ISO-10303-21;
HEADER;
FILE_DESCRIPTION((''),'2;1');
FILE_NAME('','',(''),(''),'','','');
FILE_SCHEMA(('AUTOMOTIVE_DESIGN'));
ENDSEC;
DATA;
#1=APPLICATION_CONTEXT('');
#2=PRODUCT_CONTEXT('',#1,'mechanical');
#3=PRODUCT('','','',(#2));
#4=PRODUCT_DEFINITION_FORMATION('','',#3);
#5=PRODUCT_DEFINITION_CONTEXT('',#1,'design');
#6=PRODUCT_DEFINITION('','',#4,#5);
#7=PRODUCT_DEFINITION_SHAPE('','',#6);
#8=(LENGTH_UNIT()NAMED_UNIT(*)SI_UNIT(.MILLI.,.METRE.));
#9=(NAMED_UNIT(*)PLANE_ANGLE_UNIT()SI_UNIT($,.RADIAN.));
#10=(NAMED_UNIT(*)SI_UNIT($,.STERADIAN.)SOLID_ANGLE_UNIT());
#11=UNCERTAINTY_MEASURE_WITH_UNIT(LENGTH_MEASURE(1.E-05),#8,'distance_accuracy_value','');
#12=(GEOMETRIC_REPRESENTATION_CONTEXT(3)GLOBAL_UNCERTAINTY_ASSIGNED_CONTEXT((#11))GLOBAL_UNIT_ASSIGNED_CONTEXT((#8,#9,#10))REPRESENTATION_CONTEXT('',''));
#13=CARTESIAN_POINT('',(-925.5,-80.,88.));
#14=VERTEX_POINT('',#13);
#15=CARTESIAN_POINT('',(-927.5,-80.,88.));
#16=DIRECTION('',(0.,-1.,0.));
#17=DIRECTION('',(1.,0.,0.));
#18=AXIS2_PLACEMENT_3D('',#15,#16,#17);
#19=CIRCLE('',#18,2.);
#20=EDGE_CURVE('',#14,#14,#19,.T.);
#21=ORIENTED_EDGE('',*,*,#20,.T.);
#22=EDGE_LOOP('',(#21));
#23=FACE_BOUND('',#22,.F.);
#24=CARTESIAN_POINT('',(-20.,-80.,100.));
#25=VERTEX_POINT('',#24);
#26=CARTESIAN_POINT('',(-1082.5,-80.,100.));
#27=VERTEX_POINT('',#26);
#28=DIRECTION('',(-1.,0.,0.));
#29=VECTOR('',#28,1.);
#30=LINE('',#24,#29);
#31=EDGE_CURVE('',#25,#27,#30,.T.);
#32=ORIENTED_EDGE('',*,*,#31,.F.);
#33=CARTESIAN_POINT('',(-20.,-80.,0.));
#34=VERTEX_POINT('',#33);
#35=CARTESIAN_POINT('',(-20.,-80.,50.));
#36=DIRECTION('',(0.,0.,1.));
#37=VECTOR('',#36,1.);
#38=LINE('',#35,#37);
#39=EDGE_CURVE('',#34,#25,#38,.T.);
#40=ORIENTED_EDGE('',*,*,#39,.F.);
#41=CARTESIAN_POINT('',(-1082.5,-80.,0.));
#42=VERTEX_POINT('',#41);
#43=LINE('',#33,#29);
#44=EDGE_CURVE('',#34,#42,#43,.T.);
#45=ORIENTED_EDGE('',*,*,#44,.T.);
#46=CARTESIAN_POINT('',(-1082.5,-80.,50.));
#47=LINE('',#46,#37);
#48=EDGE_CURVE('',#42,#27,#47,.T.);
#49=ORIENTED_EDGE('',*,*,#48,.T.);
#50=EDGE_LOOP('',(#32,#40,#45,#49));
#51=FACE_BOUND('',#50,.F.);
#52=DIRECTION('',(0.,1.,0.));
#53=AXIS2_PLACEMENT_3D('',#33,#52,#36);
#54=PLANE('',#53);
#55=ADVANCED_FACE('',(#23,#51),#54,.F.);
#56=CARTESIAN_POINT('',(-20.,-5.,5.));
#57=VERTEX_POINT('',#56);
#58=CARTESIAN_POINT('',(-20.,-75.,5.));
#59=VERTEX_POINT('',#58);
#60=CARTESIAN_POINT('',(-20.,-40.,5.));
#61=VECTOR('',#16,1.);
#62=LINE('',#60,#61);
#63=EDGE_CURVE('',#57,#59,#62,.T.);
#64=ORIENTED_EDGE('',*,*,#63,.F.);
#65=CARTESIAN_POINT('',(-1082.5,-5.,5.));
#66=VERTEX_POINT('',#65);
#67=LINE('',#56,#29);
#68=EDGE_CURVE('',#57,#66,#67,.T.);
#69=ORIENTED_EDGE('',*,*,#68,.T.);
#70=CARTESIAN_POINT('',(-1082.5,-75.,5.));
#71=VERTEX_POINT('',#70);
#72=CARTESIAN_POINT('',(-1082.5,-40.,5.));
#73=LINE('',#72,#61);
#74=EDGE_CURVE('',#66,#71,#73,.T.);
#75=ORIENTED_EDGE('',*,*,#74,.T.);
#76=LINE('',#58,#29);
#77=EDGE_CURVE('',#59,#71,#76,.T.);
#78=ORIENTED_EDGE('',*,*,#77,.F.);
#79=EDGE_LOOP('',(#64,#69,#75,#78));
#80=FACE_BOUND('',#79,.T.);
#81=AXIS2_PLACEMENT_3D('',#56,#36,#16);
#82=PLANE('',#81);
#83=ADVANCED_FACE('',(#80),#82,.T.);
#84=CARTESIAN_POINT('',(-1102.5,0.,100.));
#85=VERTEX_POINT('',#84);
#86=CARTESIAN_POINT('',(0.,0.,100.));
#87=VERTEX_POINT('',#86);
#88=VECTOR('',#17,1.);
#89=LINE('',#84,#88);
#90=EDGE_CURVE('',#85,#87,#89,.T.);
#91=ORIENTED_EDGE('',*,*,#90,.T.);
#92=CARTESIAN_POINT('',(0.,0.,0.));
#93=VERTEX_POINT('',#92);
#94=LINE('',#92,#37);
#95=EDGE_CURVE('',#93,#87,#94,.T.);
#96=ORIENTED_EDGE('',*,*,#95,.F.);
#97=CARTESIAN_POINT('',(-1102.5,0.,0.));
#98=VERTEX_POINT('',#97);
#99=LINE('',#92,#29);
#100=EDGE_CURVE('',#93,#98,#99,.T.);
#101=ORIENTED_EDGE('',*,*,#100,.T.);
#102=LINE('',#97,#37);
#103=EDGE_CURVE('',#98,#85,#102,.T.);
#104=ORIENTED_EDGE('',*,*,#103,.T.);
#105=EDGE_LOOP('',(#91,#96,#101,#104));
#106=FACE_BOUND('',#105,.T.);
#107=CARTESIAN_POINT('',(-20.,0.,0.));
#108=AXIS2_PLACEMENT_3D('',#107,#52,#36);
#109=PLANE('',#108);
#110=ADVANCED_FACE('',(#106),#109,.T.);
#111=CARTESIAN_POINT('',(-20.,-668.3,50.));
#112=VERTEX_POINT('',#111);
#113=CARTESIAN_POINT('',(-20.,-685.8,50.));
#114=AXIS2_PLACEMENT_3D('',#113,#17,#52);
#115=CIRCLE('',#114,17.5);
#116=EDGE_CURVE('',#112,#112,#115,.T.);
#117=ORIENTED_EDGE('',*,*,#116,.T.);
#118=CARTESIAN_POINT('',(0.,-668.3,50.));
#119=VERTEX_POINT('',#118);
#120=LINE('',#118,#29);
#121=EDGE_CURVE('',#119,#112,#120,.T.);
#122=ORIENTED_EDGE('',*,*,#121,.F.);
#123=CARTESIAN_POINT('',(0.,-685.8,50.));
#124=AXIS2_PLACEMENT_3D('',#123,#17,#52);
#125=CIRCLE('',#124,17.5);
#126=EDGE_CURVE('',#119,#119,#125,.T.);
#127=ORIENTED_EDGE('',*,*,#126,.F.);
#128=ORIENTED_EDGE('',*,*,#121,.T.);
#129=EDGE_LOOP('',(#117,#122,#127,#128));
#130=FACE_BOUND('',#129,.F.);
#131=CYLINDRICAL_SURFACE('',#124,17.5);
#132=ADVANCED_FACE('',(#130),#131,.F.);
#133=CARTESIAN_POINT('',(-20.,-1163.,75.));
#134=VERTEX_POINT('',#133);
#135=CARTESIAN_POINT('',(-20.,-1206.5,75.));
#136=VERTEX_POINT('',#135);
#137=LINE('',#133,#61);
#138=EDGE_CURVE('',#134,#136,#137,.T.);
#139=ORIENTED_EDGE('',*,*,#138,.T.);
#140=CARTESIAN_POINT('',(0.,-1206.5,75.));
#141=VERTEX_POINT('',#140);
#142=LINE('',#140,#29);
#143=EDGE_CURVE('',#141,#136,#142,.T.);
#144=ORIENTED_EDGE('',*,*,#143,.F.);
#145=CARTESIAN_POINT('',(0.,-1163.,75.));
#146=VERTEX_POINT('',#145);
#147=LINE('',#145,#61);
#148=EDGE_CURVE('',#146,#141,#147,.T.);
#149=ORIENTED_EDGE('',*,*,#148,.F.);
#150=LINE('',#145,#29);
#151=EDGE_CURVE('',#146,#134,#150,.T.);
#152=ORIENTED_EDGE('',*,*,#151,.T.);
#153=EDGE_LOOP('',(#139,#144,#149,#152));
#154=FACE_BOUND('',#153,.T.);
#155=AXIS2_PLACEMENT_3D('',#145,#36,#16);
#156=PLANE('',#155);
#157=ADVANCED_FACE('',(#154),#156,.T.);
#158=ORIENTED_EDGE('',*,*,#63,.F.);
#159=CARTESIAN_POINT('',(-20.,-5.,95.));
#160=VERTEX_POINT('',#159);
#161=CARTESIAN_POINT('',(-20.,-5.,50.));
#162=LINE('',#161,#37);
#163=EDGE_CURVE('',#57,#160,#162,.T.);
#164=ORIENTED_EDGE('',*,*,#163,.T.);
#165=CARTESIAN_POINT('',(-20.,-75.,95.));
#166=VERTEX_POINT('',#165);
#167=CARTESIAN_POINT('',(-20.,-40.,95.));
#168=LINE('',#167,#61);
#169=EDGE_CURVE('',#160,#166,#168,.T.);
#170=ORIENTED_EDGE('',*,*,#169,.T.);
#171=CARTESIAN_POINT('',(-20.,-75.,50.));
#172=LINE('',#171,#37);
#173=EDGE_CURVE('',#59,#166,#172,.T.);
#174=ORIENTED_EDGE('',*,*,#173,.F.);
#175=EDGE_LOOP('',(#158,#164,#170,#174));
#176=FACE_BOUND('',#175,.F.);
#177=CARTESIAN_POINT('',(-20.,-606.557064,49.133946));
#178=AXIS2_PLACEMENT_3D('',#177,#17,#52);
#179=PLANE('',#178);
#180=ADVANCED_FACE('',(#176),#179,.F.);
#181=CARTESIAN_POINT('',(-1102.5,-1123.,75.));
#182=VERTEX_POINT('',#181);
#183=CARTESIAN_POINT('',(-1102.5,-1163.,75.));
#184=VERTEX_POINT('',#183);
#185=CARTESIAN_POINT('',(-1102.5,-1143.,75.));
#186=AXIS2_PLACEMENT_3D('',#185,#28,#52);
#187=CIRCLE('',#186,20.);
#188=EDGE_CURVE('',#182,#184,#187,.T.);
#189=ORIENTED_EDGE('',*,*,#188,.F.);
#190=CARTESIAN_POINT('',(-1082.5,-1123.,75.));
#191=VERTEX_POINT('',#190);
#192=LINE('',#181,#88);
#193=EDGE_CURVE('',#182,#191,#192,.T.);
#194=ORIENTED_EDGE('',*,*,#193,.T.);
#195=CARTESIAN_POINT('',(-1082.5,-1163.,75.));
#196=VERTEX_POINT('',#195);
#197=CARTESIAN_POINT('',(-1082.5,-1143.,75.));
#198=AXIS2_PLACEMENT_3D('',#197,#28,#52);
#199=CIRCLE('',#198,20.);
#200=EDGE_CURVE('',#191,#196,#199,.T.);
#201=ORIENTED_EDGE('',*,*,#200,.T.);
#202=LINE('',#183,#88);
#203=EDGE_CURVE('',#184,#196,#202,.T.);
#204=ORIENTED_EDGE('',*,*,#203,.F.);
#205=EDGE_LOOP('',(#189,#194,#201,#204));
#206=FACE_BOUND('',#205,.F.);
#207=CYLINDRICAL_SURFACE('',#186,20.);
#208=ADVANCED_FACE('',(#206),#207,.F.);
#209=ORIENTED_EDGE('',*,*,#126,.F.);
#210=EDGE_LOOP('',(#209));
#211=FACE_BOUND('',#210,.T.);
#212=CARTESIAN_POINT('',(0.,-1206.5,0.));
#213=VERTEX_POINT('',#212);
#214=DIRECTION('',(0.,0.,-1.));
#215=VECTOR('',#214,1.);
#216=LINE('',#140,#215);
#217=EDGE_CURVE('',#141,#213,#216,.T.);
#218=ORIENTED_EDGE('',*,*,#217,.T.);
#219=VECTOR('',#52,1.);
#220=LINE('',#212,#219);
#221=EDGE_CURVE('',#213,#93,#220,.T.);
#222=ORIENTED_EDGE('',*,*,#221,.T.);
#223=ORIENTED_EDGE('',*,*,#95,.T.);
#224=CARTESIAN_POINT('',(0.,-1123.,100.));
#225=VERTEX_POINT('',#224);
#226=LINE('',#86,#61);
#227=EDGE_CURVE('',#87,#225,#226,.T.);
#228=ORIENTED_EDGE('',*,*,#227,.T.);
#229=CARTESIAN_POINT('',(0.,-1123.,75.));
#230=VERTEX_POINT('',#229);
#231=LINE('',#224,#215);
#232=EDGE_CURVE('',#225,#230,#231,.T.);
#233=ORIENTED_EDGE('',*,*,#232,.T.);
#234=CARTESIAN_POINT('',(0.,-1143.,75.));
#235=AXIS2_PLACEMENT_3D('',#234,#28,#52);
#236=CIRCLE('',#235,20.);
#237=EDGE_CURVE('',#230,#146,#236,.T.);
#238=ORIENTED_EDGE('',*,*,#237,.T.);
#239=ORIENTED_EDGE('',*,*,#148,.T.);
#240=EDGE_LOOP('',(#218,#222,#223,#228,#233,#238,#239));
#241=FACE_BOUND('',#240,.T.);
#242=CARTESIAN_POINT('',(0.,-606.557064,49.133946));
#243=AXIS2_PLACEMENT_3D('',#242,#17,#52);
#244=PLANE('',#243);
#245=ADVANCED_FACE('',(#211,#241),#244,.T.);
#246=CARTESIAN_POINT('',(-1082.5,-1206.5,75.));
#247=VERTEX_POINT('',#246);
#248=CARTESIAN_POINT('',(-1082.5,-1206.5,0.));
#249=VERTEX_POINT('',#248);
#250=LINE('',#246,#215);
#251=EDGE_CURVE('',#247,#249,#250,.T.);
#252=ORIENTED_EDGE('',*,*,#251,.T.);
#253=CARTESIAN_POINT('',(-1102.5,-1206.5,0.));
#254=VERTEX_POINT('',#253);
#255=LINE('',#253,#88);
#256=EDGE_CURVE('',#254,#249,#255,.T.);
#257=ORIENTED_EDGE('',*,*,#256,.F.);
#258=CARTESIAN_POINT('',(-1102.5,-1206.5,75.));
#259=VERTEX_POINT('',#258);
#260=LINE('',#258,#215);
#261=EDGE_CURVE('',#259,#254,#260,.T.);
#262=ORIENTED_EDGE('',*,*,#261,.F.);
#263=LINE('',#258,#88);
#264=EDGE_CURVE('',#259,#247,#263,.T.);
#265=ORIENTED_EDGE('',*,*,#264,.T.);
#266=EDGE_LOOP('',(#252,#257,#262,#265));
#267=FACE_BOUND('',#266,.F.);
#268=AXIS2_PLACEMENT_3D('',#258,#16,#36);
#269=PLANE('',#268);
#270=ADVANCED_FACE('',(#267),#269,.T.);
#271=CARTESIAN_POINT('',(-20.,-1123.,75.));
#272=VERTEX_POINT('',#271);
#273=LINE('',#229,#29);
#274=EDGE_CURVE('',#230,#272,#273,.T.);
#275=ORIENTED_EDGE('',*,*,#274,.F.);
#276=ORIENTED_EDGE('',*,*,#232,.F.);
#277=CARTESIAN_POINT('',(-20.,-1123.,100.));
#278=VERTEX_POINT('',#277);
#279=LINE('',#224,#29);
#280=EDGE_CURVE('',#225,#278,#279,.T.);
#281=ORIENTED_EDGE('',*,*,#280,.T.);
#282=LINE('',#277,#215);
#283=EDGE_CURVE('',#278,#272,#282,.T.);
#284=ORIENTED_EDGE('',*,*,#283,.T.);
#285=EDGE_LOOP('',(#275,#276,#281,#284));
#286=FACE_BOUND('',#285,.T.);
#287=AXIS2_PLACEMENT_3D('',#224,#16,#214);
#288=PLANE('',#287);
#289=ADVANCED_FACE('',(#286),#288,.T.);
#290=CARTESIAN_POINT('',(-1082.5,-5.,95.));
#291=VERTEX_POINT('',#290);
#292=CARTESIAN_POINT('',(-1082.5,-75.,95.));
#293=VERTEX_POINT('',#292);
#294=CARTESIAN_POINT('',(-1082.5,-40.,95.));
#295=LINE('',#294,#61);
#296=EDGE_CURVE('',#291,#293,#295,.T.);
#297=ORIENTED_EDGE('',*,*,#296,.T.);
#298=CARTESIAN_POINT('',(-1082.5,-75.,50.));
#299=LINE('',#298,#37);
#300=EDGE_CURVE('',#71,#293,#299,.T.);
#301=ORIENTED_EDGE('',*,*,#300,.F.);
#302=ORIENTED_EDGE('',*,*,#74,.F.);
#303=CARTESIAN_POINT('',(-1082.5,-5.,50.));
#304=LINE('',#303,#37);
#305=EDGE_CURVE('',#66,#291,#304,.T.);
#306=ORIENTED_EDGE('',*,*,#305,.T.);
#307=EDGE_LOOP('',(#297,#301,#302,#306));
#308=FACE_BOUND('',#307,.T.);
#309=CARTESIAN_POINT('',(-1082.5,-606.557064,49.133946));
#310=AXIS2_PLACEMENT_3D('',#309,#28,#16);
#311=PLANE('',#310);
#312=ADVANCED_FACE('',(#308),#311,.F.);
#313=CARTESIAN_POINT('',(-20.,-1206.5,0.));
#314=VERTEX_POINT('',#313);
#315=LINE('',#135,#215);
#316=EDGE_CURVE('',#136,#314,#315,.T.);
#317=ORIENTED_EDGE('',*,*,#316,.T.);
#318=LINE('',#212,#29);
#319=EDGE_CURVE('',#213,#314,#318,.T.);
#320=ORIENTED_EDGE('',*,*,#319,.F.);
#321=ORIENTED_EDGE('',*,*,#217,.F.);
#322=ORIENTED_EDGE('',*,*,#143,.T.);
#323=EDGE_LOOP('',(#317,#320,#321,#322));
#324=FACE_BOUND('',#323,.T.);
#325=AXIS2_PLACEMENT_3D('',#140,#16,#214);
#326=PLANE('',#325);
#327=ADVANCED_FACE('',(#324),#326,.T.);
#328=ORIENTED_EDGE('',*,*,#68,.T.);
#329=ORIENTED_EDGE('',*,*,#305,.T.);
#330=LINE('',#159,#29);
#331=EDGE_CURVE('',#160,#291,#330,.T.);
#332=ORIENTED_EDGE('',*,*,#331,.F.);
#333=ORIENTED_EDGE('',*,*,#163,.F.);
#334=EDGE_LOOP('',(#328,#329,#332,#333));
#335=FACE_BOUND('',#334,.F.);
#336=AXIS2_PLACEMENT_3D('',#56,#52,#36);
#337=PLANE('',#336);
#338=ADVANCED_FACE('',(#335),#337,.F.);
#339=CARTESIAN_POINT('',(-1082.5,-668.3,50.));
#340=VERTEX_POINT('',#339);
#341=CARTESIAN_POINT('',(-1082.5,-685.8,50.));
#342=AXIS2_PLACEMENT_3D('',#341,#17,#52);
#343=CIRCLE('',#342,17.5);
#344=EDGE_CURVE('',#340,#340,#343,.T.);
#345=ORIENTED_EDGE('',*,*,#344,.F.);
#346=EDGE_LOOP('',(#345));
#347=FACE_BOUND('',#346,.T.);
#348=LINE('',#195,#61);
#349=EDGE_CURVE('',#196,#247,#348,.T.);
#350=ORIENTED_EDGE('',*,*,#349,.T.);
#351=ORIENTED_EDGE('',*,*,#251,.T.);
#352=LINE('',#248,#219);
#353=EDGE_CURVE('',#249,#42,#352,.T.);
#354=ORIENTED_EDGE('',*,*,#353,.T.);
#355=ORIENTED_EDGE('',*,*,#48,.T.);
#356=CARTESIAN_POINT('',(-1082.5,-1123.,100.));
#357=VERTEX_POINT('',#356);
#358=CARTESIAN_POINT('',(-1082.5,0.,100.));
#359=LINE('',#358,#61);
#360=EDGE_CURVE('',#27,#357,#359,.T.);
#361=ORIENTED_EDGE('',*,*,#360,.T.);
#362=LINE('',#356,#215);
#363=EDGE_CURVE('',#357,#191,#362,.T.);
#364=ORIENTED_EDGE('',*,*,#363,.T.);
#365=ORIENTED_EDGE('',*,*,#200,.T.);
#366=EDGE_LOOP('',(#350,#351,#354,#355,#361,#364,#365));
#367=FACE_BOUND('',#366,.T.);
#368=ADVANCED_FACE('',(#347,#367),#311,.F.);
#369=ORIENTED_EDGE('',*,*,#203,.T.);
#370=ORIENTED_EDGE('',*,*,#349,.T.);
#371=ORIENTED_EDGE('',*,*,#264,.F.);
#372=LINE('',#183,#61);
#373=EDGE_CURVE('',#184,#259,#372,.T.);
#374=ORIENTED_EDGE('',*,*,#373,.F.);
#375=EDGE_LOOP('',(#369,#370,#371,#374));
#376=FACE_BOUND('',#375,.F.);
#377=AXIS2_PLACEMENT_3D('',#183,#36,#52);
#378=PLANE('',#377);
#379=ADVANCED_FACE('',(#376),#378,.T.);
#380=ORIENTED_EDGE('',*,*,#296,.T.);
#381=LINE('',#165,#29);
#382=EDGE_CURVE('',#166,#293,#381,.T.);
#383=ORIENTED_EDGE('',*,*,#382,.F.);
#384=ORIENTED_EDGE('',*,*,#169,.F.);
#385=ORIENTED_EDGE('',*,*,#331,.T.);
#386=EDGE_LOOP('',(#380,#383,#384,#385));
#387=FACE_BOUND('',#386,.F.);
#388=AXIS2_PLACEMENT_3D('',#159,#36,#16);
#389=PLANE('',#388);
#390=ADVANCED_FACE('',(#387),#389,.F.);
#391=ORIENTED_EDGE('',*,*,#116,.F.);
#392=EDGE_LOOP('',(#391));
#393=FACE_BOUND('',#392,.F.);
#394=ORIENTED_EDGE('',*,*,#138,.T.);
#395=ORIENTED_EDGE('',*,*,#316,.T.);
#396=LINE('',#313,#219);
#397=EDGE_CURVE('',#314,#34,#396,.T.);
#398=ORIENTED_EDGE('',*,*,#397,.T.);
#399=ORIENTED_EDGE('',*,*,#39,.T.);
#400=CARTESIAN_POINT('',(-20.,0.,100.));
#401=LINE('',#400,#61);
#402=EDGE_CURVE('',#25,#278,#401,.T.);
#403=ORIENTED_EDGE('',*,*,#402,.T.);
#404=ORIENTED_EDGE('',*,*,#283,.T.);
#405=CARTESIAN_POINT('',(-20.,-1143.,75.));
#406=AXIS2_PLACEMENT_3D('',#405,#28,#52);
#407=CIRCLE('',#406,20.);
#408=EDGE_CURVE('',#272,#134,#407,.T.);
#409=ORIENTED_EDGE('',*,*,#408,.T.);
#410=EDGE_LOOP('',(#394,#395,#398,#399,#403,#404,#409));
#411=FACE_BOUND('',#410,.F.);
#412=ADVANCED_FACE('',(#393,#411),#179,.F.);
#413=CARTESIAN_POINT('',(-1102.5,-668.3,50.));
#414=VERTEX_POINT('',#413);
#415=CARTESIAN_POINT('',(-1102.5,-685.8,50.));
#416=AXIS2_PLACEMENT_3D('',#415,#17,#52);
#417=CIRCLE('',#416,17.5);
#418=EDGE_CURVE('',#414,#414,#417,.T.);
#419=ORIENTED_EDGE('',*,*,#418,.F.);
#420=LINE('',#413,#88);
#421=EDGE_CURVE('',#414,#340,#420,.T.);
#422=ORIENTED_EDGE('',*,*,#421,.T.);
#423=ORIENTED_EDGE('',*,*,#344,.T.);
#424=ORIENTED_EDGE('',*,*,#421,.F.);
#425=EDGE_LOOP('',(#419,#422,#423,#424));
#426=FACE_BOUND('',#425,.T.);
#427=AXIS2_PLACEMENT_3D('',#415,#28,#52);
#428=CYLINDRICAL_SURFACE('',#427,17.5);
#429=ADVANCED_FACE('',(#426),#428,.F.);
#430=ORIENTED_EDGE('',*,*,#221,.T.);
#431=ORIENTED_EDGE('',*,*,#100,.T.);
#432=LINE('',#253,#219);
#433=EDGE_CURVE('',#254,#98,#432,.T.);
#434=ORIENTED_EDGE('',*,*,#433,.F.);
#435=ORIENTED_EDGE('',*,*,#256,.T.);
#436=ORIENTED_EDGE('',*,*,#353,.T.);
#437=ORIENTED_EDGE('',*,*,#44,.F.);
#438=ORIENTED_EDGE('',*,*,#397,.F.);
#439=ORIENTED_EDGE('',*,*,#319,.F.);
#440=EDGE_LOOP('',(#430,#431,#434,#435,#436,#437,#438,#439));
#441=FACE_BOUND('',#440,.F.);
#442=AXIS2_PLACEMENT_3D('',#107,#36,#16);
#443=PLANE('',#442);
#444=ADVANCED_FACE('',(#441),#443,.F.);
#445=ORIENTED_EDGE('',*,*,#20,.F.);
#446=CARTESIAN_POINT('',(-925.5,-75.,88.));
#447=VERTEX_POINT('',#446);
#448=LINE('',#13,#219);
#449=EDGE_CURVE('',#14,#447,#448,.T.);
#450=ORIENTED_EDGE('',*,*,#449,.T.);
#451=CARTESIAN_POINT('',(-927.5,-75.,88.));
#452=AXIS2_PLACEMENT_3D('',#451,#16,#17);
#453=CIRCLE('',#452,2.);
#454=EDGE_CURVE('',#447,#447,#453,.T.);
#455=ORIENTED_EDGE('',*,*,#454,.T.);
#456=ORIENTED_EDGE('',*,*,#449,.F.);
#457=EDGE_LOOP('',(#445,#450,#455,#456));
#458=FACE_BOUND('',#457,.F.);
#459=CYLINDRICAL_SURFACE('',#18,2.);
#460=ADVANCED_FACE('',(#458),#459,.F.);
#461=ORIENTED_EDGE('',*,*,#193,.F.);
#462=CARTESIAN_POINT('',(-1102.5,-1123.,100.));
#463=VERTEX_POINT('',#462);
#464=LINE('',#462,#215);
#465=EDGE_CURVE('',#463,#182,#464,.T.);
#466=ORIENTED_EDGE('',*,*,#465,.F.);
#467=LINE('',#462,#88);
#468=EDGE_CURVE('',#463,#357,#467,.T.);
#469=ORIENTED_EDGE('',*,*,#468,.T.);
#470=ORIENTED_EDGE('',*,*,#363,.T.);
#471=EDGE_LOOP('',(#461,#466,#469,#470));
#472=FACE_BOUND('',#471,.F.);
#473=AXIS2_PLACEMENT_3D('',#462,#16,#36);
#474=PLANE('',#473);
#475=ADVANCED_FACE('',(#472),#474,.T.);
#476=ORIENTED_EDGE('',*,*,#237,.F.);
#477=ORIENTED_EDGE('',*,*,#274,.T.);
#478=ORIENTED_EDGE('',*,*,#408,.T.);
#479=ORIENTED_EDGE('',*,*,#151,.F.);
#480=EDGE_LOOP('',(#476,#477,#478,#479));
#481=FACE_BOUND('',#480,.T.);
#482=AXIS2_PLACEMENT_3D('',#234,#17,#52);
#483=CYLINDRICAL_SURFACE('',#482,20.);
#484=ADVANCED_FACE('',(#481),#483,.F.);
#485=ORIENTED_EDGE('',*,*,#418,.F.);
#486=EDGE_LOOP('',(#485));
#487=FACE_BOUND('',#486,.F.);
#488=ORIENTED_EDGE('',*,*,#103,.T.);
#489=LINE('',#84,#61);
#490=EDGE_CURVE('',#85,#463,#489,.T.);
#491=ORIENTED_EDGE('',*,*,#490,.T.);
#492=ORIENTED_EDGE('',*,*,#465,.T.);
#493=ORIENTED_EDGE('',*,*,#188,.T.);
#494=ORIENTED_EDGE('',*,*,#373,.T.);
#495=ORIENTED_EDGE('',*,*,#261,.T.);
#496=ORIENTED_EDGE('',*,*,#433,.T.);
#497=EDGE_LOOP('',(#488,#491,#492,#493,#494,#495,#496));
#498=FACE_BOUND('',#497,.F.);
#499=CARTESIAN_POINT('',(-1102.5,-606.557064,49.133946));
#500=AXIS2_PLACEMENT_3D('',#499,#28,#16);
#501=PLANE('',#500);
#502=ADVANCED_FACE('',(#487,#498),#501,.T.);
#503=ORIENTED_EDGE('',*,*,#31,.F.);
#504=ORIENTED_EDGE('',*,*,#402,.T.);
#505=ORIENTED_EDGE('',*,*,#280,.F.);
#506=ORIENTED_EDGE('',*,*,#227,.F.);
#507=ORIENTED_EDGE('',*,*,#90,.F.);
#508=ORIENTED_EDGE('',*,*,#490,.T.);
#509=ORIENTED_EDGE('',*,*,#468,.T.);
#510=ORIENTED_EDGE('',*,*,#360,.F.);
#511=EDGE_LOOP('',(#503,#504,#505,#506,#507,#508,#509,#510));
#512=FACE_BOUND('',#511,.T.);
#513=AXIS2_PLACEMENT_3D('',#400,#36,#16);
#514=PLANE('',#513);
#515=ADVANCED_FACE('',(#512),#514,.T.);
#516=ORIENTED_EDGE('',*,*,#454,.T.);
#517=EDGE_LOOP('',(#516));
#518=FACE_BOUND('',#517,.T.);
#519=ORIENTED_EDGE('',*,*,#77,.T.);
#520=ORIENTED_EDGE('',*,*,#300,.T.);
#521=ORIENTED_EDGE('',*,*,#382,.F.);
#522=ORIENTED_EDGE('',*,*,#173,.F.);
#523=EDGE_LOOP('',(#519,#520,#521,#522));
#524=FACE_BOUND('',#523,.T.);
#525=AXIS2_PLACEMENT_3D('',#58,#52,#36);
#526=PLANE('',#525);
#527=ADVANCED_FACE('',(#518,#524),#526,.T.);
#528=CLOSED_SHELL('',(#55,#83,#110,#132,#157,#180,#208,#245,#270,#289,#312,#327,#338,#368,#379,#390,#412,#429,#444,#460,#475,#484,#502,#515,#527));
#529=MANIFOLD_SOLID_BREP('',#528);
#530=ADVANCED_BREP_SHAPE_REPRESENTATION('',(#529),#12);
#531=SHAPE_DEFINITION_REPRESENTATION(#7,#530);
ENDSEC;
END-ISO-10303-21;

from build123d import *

# Parameters (mm, degrees)
F0_R     = 17.5
F1_DEPTH = 20
F2_W     = 80
F2_H     = 100
F2_W_2   = 70
F2_H_2   = 90
F3_DEPTH = 1062.5
F6_R     = 2
F7_DEPTH = 5


with BuildPart() as f1:
    # F0 (on Right) → F1 (new body)
    with BuildSketch(Plane.YZ):
        with BuildLine():
            Line((-1206.5, 0), (0, 0))
            Line((0, 0), (0, 100))
            Line((0, 100), (-1123, 100))
            Line((-1123, 100), (-1123, 75))
            ThreePointArc((-1123, 75), (-1143, 55), (-1163, 75))
            Line((-1163, 75), (-1206.5, 75))
            Line((-1206.5, 75), (-1206.5, 0))
        make_face()
        with Locations((-685.8, 50)):
            Circle(F0_R, mode=Mode.SUBTRACT)
    extrude(amount=-F1_DEPTH)

    # F2 (on face) → F3 (join)
    with BuildSketch(Plane(origin=(-20, 0, 0), x_dir=(0, -1, 0), z_dir=(-1, 0, 0))):
        with Locations((40, 50)):
            Rectangle(F2_W, F2_H)
        with Locations((40, 50)):
            Rectangle(F2_W_2, F2_H_2, mode=Mode.SUBTRACT)
    extrude(amount=F3_DEPTH)

    # F5: F1 across plane


with BuildPart() as f1_1:
    add(f1.part)
    add(f1.part.mirror(Plane(origin=(-551.25, -630.0028317099, 49.186434827), x_dir=(0, -1, 0), z_dir=(-1, 0, 0))))

    # F6 (on face) → F7 (cut, through all)
    with BuildSketch(Plane.XZ.offset(80)):
        with Locations((-927.5, 88)):
            Circle(F6_R)
    extrude(amount=-F7_DEPTH, mode=Mode.SUBTRACT)


solid = f1_1.part
